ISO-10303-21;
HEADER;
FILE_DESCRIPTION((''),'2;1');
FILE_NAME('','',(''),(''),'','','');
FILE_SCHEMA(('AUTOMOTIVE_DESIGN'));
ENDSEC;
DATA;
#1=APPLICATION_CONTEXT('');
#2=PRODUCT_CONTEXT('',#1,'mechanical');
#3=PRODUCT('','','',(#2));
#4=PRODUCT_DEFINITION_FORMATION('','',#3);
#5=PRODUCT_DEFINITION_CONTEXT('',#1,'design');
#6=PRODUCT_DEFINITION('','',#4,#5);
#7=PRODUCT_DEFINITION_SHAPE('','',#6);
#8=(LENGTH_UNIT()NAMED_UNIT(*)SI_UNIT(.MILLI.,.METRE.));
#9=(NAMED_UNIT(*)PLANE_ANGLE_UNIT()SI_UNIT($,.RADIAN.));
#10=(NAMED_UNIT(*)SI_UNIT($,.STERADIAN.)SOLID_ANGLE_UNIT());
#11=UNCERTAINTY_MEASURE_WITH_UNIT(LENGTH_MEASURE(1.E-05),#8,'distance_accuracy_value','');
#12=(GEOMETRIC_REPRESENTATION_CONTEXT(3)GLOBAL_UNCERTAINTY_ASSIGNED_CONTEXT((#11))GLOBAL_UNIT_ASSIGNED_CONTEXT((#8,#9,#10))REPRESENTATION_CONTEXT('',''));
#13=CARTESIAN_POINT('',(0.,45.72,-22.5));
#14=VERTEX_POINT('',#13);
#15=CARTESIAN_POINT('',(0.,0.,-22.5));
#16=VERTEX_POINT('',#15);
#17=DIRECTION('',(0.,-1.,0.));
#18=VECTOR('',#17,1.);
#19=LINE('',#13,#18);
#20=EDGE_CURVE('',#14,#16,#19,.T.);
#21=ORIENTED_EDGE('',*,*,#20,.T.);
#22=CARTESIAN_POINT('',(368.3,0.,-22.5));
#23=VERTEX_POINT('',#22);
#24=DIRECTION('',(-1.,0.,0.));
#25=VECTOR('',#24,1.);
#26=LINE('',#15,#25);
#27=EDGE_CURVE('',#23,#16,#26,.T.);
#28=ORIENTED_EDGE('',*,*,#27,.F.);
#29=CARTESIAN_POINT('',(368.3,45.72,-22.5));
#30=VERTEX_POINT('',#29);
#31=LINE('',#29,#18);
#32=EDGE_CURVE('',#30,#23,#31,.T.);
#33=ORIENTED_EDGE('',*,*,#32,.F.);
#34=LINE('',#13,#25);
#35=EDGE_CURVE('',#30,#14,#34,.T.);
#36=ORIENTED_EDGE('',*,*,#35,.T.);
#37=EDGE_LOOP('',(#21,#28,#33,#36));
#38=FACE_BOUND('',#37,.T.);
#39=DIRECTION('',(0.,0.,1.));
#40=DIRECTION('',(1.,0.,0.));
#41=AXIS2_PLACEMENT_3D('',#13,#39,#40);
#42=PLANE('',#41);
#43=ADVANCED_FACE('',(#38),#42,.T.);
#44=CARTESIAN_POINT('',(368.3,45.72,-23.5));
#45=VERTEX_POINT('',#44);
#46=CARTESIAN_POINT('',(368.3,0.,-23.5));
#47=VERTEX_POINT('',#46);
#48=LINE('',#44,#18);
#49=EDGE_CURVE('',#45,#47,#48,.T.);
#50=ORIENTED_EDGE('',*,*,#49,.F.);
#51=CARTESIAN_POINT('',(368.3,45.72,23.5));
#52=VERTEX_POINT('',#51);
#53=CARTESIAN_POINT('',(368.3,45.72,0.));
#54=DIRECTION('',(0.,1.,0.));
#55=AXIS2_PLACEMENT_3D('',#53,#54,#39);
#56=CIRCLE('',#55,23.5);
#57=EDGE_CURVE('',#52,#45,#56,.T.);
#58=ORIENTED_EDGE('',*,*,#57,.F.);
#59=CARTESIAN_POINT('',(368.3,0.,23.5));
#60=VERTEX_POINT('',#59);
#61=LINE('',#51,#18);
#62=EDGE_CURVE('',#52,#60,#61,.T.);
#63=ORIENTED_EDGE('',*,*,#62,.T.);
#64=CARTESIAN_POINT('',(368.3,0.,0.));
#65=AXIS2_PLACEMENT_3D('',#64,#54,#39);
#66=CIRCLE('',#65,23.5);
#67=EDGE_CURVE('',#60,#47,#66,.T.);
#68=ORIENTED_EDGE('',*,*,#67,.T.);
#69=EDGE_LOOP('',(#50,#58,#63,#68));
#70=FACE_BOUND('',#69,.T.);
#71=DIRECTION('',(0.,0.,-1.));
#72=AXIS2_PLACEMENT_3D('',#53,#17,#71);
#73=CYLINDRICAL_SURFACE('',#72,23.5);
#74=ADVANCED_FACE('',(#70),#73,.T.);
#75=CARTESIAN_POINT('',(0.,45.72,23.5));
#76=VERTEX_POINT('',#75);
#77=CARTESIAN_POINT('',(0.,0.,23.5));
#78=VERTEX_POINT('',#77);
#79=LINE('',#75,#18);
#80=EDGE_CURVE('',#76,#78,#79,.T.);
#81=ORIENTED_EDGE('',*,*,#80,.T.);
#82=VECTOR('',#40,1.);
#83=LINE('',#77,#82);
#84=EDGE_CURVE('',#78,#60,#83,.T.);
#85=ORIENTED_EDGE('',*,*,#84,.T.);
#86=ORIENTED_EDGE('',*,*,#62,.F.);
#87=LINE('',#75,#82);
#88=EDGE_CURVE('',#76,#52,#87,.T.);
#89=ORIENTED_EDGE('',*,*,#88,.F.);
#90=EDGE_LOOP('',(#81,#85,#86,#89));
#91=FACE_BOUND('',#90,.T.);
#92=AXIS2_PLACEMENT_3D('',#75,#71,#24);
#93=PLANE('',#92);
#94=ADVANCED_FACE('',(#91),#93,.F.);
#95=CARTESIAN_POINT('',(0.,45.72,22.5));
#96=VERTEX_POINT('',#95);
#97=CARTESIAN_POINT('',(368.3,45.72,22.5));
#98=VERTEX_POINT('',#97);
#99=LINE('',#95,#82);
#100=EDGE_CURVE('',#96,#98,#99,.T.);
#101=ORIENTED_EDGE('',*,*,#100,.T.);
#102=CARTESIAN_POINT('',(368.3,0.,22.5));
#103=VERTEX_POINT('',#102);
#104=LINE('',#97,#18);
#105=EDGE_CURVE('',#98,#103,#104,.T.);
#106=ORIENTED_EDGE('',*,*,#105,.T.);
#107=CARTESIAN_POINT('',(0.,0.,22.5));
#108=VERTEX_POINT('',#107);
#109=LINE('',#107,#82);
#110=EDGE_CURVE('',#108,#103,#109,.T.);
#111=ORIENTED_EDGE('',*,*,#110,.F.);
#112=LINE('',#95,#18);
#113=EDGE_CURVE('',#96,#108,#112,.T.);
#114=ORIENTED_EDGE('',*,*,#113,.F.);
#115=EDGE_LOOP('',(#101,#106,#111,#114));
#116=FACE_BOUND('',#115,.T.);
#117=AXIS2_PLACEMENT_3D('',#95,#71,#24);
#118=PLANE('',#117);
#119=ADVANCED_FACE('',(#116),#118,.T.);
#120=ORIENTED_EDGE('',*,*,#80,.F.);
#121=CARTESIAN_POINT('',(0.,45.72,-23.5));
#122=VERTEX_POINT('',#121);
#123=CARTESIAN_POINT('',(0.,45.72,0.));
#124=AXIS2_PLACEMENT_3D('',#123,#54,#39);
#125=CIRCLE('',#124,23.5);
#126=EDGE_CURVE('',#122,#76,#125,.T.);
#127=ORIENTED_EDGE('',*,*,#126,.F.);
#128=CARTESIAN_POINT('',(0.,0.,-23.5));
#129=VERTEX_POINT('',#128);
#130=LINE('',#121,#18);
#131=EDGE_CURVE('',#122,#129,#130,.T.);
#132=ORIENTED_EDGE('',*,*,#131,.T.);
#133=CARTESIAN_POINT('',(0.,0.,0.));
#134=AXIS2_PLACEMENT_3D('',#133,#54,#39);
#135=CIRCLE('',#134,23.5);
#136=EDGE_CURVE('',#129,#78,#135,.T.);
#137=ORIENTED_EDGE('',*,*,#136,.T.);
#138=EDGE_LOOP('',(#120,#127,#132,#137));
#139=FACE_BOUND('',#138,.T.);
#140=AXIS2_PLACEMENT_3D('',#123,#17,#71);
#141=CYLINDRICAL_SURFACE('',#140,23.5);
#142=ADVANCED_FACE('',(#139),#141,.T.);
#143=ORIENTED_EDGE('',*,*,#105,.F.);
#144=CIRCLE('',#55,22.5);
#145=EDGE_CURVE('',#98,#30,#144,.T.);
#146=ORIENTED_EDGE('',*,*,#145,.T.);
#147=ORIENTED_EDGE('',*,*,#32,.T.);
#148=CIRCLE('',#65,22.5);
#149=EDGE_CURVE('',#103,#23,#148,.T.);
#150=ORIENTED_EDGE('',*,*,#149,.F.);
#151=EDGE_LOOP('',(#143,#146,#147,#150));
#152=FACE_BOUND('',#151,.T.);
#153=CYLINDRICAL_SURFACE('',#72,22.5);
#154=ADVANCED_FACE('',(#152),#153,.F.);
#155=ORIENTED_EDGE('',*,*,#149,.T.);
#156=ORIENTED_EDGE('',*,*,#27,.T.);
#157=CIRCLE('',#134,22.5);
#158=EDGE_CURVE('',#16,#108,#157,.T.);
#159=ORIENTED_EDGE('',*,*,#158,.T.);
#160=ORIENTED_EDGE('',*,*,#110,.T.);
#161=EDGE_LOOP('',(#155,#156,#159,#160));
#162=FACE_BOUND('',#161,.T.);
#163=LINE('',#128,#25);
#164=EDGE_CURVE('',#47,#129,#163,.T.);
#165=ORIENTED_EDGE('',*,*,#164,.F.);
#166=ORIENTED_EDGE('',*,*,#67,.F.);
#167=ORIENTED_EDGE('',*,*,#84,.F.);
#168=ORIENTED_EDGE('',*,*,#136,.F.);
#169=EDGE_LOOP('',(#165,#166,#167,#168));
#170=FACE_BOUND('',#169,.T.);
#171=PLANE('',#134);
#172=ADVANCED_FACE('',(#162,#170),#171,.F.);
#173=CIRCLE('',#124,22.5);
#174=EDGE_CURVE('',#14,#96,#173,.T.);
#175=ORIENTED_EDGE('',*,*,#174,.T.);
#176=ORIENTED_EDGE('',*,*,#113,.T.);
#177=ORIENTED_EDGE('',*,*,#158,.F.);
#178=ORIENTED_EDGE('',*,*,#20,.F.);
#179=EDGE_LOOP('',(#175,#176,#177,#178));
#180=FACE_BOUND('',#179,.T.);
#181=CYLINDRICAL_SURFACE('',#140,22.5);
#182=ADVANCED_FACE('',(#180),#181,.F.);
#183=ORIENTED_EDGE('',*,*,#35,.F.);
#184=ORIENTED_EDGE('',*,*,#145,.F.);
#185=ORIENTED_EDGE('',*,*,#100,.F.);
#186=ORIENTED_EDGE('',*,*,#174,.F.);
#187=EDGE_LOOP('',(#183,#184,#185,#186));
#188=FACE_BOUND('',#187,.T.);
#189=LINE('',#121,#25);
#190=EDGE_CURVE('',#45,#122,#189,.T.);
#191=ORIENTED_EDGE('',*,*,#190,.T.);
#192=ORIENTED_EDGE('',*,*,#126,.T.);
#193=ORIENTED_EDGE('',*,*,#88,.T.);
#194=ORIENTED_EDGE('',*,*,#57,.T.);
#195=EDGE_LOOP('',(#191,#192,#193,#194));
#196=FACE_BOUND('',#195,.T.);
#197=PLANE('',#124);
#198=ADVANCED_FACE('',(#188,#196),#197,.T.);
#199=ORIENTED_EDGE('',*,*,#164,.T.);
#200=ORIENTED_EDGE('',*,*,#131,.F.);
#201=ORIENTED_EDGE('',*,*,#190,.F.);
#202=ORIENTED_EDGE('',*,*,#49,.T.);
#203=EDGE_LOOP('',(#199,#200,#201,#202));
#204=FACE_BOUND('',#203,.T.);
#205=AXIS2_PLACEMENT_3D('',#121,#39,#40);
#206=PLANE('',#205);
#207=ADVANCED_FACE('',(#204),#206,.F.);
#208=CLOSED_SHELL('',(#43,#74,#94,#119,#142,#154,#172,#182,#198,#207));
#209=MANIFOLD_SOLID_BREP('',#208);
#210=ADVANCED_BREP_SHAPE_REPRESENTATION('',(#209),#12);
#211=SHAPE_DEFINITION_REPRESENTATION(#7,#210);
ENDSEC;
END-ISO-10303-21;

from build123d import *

# Parameters (mm, degrees)
BOSS_EXTRUDE1_DEPTH = 45.72


with BuildPart() as part:
    # Sketch1 → Boss-Extrude1 (new body)
    with BuildSketch(Plane(origin=(0, 0, 0), x_dir=(1, 0, 0), z_dir=(0, 1, 0))):
        with BuildLine():
            Line((0, 23.5), (368.3, 23.5))
            ThreePointArc((368.3, 23.5), (391.8, 0), (368.3, -23.5))
            Line((368.3, -23.5), (0, -23.5))
            ThreePointArc((0, -23.5), (-23.5, 0), (0, 23.5))
        make_face()
        with BuildLine():
            Line((0, 22.5), (368.3, 22.5))
            ThreePointArc((368.3, 22.5), (390.8, 0), (368.3, -22.5))
            Line((368.3, -22.5), (0, -22.5))
            ThreePointArc((0, -22.5), (-22.5, 0), (0, 22.5))
        make_face(mode=Mode.SUBTRACT)
    extrude(amount=BOSS_EXTRUDE1_DEPTH)


solid = part.part
